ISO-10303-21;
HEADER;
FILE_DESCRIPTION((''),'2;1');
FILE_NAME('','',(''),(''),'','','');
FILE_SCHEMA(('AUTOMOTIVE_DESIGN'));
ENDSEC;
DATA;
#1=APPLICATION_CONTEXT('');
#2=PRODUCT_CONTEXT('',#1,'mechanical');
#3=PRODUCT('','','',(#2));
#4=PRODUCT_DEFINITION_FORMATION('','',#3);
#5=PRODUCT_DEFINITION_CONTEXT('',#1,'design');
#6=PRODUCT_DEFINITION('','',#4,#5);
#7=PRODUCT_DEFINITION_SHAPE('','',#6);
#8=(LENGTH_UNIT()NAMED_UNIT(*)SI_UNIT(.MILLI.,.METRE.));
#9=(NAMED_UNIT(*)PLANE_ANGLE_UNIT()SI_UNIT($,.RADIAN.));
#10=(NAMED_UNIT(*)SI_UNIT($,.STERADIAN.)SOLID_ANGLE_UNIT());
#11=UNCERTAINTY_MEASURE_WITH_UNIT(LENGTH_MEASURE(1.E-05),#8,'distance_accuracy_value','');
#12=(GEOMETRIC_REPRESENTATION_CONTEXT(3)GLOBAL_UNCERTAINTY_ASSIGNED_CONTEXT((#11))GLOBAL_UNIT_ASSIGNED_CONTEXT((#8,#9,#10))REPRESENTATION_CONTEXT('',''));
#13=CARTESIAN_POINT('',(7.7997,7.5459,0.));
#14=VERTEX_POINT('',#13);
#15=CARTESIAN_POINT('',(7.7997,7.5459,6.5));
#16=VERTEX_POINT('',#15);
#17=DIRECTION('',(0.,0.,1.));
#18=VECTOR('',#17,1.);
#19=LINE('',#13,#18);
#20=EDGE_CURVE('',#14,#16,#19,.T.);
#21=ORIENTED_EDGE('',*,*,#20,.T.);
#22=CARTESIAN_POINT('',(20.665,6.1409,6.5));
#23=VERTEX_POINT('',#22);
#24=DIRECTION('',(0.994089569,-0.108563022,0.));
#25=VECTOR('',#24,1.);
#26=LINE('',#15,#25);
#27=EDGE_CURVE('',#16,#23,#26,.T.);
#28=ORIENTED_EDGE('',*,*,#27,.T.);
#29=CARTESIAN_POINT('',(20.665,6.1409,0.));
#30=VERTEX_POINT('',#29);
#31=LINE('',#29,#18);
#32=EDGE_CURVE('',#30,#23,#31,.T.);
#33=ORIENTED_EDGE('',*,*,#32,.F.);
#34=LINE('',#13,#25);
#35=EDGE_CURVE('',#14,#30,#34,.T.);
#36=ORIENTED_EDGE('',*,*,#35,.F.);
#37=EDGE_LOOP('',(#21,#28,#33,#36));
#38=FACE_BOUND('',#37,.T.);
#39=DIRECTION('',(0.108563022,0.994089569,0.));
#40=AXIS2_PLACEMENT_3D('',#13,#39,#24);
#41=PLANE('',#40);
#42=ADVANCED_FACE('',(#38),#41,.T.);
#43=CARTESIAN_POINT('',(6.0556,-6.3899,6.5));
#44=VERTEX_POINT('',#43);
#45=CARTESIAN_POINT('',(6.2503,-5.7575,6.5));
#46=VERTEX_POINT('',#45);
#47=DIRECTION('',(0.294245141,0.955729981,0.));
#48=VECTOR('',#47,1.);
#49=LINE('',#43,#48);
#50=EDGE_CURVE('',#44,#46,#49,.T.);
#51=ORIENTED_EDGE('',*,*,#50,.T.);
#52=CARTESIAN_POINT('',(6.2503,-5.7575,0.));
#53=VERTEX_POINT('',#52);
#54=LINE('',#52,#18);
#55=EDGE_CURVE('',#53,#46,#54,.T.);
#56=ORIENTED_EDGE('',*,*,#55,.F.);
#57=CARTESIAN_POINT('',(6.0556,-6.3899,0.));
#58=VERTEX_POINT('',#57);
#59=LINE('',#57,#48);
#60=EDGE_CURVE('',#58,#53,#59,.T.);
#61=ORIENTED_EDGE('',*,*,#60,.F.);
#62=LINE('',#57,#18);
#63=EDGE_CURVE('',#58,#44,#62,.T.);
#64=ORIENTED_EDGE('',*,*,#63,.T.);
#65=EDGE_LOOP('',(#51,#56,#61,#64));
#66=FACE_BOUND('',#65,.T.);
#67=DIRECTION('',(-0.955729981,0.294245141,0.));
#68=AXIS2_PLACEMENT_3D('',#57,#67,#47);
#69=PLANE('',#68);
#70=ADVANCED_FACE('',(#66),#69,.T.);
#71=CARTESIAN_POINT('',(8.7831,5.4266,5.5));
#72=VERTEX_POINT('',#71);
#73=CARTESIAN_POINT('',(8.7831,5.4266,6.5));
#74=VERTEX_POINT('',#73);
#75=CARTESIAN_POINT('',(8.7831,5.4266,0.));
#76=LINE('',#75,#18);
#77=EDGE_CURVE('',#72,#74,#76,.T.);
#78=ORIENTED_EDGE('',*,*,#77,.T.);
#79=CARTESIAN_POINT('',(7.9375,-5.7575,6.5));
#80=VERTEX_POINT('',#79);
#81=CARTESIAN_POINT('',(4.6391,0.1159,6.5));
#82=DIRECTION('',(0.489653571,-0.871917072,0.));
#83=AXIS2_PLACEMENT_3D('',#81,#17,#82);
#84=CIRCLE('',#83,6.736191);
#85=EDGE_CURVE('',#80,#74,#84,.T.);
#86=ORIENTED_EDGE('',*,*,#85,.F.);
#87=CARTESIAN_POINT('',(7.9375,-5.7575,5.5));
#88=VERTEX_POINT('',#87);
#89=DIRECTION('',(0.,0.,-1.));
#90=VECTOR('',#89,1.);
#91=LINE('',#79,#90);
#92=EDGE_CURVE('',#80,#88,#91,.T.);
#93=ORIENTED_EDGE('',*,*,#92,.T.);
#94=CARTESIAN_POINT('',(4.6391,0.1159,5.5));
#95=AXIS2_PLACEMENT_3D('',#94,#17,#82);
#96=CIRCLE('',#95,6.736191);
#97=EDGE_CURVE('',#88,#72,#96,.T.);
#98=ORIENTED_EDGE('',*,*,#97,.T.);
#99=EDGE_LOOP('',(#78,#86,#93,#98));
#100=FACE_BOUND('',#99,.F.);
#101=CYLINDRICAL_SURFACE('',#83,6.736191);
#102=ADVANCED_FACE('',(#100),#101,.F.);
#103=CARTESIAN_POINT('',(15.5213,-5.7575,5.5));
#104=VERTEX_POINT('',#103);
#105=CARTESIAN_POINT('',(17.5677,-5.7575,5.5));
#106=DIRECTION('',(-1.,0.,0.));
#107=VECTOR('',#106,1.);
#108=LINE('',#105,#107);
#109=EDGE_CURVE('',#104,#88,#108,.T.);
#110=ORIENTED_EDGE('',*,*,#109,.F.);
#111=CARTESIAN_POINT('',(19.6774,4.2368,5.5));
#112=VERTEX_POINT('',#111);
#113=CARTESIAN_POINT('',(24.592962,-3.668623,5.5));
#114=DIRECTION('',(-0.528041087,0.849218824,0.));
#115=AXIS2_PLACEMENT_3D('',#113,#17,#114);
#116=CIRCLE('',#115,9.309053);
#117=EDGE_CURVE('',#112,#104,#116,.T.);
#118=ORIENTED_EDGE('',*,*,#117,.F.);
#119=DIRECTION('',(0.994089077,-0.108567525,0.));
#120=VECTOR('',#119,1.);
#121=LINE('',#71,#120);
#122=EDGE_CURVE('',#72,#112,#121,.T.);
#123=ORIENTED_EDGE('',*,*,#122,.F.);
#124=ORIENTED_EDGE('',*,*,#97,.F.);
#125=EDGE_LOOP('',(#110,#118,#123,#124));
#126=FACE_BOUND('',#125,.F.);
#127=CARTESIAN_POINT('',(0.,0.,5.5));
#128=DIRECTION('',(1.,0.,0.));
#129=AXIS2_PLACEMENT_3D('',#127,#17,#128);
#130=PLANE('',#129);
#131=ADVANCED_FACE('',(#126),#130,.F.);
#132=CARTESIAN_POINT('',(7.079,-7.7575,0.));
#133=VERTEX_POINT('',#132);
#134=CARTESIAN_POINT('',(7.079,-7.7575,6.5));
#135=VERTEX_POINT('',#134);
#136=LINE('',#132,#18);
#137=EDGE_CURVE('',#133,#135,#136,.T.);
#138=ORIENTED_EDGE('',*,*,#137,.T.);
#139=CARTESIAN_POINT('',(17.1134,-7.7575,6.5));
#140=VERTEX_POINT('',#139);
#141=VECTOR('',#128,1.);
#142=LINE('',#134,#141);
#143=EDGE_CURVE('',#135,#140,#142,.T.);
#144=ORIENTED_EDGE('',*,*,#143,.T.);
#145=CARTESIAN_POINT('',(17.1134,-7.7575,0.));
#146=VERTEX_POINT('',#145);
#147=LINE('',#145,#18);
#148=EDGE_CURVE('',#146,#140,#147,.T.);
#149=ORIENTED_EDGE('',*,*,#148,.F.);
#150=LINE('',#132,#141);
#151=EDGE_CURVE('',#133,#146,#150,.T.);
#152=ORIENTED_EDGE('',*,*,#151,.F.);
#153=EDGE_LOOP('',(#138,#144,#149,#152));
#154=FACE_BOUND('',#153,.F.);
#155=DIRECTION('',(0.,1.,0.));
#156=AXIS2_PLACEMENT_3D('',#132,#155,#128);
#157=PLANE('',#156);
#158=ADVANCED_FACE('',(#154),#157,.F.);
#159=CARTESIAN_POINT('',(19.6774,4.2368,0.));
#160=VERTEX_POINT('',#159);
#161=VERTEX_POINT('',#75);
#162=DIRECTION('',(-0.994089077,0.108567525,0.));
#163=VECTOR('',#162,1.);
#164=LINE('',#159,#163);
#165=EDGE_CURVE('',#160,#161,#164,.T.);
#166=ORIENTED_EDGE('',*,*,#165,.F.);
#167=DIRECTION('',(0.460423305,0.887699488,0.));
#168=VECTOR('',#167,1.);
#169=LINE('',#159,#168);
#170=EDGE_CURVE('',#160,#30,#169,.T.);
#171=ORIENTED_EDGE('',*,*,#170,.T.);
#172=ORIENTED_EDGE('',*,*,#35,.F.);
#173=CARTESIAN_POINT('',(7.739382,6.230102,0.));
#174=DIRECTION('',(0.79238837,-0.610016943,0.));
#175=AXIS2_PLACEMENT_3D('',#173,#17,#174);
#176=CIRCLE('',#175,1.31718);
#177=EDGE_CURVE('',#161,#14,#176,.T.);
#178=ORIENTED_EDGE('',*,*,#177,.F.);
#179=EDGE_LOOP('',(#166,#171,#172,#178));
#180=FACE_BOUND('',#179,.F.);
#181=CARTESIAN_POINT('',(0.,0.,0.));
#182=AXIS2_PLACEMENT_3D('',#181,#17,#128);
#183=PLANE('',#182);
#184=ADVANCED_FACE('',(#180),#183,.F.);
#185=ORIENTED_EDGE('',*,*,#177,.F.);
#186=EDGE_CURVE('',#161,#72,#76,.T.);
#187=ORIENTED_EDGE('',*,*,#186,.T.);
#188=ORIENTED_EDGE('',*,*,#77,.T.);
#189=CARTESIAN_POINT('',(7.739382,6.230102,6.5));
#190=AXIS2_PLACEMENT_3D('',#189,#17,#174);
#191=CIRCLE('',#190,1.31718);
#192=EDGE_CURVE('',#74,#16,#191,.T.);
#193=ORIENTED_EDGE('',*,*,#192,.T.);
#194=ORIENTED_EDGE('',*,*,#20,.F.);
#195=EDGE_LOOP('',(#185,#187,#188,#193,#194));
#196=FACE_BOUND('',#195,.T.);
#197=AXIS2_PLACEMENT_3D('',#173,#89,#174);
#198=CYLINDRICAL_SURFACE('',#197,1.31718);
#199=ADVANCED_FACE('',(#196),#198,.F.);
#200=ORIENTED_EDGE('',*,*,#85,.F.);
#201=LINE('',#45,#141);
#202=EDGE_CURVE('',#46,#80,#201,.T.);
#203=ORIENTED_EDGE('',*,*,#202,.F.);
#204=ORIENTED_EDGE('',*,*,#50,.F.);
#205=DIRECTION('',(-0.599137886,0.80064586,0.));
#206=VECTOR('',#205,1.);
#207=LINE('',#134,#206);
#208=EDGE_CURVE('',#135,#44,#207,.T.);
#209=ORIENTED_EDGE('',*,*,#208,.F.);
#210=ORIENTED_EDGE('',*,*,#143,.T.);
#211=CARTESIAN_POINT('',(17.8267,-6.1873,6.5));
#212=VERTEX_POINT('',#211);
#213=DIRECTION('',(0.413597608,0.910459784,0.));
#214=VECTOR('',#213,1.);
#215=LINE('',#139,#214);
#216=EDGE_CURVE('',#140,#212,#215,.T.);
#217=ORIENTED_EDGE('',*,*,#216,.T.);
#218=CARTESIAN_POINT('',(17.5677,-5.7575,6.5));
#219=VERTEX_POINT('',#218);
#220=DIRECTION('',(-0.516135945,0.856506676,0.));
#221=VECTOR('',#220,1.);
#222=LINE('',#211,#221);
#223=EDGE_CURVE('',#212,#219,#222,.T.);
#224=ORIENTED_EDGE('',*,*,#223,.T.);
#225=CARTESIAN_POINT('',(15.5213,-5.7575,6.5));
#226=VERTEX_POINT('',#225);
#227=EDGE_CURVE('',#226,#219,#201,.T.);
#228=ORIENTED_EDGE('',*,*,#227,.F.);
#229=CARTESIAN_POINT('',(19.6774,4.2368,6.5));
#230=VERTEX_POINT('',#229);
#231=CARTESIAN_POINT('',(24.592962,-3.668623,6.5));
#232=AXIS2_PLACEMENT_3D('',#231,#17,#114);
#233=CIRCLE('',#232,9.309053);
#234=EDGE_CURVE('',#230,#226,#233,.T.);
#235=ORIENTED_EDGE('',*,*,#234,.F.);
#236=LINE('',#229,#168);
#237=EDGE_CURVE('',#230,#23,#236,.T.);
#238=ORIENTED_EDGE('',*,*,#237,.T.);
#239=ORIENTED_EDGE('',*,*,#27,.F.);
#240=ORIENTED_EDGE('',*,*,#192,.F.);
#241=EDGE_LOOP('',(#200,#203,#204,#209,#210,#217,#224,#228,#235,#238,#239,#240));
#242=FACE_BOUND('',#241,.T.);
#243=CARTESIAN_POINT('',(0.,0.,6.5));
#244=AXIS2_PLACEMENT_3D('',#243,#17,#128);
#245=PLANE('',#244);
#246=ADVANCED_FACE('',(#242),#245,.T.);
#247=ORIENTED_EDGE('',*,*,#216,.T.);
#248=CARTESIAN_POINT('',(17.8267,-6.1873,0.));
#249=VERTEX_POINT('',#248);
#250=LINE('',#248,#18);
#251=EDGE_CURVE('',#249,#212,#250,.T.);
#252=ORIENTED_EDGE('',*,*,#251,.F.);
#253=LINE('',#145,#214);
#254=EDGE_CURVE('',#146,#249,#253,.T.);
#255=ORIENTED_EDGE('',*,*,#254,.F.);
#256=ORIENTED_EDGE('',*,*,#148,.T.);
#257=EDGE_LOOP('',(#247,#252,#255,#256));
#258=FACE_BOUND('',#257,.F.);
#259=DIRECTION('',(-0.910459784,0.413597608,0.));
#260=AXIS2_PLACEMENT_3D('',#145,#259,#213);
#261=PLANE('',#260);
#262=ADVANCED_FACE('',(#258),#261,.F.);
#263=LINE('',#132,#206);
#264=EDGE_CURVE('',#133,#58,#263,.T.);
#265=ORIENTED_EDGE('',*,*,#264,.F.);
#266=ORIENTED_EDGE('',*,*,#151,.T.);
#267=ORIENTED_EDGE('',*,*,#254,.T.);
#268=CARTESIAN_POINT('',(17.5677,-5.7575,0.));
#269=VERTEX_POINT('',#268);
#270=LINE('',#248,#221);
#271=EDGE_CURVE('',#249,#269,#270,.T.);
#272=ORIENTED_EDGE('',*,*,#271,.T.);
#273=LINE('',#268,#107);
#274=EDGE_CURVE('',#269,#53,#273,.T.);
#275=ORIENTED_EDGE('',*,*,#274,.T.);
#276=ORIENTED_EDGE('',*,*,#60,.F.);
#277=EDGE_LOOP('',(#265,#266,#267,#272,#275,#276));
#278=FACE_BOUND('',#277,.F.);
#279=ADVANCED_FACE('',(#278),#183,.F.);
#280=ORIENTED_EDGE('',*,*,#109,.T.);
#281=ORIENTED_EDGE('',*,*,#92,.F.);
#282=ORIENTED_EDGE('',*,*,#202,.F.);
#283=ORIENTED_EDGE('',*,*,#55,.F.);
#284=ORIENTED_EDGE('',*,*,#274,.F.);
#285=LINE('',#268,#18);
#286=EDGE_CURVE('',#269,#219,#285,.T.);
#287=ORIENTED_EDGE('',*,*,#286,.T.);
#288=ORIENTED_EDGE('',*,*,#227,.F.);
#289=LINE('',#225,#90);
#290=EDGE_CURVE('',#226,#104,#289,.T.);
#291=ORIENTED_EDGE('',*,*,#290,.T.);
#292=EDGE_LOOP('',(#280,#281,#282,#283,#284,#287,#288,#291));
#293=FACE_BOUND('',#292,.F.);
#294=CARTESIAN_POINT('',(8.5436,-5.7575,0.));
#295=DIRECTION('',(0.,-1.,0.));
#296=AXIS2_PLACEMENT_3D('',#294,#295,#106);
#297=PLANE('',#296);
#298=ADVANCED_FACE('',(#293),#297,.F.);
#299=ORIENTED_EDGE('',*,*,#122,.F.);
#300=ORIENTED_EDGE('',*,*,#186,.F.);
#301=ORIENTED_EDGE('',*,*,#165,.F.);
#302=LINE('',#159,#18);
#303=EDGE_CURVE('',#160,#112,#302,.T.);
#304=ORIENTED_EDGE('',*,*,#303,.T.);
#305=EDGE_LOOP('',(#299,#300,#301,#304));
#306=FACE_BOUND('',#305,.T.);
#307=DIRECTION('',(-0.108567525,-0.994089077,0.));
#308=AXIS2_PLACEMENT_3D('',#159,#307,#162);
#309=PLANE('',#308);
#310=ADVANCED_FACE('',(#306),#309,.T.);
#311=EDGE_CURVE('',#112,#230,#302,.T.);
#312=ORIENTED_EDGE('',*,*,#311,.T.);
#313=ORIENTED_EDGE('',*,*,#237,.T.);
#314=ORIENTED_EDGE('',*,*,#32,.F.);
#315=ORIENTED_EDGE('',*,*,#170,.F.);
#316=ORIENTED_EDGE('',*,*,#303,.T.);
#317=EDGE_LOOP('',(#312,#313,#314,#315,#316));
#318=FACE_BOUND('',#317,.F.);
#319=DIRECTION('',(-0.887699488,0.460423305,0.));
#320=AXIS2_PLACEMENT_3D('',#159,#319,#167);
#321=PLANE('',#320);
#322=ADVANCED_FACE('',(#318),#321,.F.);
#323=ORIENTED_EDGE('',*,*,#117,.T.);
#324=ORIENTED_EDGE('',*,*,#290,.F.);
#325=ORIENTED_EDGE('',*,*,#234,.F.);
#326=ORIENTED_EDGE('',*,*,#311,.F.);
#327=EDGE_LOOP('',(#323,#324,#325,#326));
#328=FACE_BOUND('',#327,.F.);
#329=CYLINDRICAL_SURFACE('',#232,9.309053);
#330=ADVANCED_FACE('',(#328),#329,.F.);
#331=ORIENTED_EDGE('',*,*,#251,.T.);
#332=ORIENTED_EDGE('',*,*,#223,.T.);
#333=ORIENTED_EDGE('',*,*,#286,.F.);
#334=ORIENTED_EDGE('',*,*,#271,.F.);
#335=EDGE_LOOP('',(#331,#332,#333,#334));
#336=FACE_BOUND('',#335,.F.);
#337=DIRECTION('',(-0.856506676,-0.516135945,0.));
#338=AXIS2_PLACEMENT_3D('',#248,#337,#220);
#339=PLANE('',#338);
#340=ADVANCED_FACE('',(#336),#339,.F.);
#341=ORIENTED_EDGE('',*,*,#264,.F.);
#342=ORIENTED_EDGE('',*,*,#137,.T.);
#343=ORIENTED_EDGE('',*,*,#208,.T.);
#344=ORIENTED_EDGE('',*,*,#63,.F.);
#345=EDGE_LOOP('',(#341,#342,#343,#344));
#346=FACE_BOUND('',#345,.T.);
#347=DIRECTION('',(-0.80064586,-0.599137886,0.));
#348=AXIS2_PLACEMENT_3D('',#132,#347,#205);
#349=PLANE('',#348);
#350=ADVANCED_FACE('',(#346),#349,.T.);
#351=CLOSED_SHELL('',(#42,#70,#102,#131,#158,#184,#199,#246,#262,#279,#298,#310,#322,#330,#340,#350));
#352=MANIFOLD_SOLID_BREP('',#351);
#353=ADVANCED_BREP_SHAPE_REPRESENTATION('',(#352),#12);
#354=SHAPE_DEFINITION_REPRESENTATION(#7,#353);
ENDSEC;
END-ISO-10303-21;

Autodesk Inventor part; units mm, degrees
ref_plane "YZ Plane" through (0, 0, 0) normal (1, 0, 0) x (0, 1, 0)
ref_plane "XZ Plane" through (0, 0, 0) normal (0, 1, 0) x (-1, 0, 0)
ref_plane "XY Plane" through (0, 0, 0) normal (0, 0, 1) x (1, 0, 0)
sketch "Boceto1" plane through (0, 0, 0) normal (0, 0, 1) x (1, 0, 0)
  line L0 (19.6774, 4.2368) -> (8.7831, 5.4266)
  line L1 (17.5677, -5.7575) -> (6.2503, -5.7575)
  line L2 (19.6774, 4.2368) -> (8.7831, 5.4266)
  line L3 (8.7831, 5.4266) -> (19.6774, 4.2368)
  line L4 (17.3447, -5.7575) -> (8.5436, -5.7575)
  line L5 (7.079, -7.7575) -> (17.1134, -7.7575)
  line L6 (7.7997, 7.5459) -> (20.665, 6.1409)
  line L7 (19.6774, 4.2368) -> (20.665, 6.1409)
  line L8 (7.079, -7.7575) -> (6.0556, -6.3899)
  line L9 (6.0556, -6.3899) -> (6.2503, -5.7575)
  line L10 (17.1134, -7.7575) -> (17.8267, -6.1873)
  line L11 (17.8267, -6.1873) -> (17.5677, -5.7575)
  arc A0 (8.7831, 5.4266) -> (7.7997, 7.5459) centre (7.7394, 6.2301) ccw
  point P0 (7.9645, 7.5279)
  dimension "d9" = 2
  dimension "d10" = 2
extrude "Extrusión1" add sketch "Boceto1" along normal blind 6.5
sketch "Boceto3" plane through (0, 0, 6.5) normal (0, 0, 1) x (1, 0, 0)
  line L0 (17.5677, -5.7575) -> (6.2503, -5.7575) projected
  line L1 (7.9375, -5.7575) -> (15.5213, -5.7575)
  line L2 (8.7831, 5.4266) -> (19.6774, 4.2368) projected
  line L3 (8.7748, 5.433) -> (19.685, 4.2415)
  arc A0 (7.9375, -5.7575) -> (8.7831, 5.4266) centre (4.6391, 0.1159) ccw
  arc A1 (19.6774, 4.2368) -> (15.5213, -5.7575) centre (24.5927, -3.6684) ccw
  line L4 (15.5213, -5.7575) -> (7.9375, -5.7575)
  line L5 (17.5677, -5.7575) -> (6.2503, -5.7575) projected
  point P0 (0, 0)
  point P1 (18.2329, -5.7575)
  point P2 (5.3085, -5.7575)
  point P3 (8.358, 5.473)
  point P4 (20.8396, 4.1099)
  point P5 (8.7666, 5.4284)
extrude "Extrusión3" add sketch "Boceto3" against normal blind 1
properties part number "Pieza2_Carcasa_3DPrint"
